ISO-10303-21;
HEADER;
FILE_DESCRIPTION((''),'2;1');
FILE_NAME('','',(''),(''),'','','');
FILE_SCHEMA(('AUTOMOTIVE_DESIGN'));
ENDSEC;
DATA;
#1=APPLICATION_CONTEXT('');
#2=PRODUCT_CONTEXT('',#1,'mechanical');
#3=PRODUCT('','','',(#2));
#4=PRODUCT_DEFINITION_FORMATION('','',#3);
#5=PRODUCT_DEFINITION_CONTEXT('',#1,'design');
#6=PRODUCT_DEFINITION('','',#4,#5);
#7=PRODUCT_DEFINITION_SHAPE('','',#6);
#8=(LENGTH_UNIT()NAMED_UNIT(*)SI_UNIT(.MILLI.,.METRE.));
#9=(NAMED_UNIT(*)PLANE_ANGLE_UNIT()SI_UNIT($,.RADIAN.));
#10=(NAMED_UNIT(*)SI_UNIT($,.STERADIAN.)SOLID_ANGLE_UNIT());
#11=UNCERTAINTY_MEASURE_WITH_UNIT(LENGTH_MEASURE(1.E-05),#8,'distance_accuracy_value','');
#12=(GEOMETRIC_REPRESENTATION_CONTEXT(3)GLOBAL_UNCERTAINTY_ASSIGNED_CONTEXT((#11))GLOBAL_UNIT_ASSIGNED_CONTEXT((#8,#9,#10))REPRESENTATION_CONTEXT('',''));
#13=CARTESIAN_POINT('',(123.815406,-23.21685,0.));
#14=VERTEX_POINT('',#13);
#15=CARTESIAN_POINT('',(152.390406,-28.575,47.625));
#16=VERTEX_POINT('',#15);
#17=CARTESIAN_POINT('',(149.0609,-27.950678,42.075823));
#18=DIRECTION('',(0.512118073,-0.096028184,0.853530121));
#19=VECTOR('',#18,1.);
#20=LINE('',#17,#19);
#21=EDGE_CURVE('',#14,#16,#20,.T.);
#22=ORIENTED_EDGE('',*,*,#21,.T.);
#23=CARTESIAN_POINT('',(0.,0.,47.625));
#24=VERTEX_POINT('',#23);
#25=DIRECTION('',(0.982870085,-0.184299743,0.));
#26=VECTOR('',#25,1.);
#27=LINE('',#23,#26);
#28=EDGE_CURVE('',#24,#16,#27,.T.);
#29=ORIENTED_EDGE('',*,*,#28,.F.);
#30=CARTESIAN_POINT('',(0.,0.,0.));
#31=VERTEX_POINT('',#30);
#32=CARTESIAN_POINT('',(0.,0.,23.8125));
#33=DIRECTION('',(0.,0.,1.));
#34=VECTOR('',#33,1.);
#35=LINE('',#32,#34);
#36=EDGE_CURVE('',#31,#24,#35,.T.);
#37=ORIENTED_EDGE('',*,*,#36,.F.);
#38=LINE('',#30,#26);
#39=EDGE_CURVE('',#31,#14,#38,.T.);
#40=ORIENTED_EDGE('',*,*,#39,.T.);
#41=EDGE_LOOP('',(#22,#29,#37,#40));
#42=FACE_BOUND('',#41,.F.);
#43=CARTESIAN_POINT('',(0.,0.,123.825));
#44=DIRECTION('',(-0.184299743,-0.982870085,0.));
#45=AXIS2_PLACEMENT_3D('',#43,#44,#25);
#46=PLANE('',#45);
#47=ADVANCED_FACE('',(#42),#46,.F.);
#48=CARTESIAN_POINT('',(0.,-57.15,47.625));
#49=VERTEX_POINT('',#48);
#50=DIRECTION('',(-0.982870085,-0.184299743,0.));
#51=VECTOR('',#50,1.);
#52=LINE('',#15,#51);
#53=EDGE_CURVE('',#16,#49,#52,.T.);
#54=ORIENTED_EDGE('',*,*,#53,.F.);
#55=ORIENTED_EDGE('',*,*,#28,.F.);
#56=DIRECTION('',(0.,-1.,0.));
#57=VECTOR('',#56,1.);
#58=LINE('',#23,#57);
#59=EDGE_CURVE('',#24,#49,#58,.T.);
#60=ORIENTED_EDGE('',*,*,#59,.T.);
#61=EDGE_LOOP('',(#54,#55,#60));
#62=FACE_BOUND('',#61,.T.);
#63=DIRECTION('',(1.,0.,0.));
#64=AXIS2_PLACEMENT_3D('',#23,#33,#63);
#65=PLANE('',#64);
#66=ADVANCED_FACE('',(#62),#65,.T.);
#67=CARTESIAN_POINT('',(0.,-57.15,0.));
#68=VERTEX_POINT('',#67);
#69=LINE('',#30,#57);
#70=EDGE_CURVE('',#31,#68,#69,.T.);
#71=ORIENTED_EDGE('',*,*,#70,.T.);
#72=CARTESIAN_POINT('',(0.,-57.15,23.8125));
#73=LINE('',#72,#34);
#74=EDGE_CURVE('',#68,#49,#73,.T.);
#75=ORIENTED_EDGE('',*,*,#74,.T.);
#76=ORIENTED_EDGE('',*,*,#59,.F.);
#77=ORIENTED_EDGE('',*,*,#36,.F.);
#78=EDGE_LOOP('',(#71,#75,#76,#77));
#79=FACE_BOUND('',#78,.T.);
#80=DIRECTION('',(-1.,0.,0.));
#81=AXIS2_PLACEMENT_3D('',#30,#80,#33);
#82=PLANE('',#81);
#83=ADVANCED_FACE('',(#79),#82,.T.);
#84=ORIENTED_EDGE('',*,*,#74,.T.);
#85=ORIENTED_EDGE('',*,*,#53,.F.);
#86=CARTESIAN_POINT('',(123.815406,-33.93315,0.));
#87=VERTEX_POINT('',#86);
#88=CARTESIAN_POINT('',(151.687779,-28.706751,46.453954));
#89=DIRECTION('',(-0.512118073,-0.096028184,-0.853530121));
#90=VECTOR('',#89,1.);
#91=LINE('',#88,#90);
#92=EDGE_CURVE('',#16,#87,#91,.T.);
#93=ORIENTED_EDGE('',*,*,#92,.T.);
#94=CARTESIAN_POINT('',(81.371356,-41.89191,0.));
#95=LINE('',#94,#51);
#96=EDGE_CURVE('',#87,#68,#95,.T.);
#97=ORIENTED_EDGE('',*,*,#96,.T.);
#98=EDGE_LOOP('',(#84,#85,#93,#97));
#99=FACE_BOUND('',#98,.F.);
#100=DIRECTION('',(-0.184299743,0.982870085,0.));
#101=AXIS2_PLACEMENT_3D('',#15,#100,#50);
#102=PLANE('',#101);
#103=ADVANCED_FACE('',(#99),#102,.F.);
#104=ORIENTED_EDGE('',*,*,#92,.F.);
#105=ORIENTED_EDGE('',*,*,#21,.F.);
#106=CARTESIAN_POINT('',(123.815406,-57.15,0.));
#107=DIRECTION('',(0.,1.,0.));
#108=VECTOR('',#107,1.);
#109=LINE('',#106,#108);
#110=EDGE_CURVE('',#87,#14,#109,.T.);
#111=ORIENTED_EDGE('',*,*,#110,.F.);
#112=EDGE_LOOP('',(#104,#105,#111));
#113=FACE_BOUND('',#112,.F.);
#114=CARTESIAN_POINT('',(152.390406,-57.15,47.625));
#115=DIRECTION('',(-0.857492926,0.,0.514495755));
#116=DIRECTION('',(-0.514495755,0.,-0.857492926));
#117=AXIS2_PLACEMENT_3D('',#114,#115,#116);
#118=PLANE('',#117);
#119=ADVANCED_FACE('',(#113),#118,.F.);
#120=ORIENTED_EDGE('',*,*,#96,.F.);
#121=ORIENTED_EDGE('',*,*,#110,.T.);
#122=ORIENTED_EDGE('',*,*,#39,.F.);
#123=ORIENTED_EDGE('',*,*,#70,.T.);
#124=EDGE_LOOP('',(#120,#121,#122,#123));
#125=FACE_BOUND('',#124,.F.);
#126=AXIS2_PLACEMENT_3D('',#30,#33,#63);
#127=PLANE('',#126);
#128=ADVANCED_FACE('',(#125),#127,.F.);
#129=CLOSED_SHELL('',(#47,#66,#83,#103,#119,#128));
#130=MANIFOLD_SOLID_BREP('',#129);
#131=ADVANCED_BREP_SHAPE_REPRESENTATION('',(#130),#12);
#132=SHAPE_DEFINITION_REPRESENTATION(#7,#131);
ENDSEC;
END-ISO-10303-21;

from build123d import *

# Parameters (mm, degrees)
F0_W     = 152.390406
F0_H     = 47.625
F1_DEPTH = 57.15
F3_DEPTH = 57.15
F5_DEPTH = 76.2
F6_DEPTH = 127
F8_DEPTH = 50.8


with BuildPart() as f1:
    # F0 (on Front) → F1 (new body)
    with BuildSketch(Plane.XZ):
        with Locations((76.195203, 23.8125)):
            Rectangle(F0_W, F0_H)
    extrude(amount=F1_DEPTH)

    # F2 (on face) → F3 (cut)
    with BuildSketch(Plane.XZ.offset(57.15)):
        Polygon((152.390406, 0), (152.390406, 47.625), (123.815406, 0), align=None)
    extrude(amount=-F3_DEPTH, mode=Mode.SUBTRACT)

    # F4 (on face) → F5 (join)
    with BuildSketch(Plane.XY.offset(47.625)):
        Polygon((0, 0), (152.390406, -28.575), (152.390406, 0), align=None)
    extrude(amount=F5_DEPTH)

    # F5_face (on face) → F6 (cut)
    with BuildSketch(Plane(origin=(101.593604, -9.525, 123.825), x_dir=(1, 0, 0), z_dir=(0, 0, 1))):
        Polygon((-101.593604, 9.525), (50.796802, -19.05), (50.796802, 9.525), align=None)
    extrude(amount=-F6_DEPTH, mode=Mode.SUBTRACT)

    # F7 (on face) → F8 (cut)
    with BuildSketch(Plane.XY.offset(47.625)):
        Polygon((152.390406, -57.15), (152.390406, -28.575), (0, -57.15), align=None)
    extrude(amount=-F8_DEPTH, mode=Mode.SUBTRACT)


solid = f1.part
